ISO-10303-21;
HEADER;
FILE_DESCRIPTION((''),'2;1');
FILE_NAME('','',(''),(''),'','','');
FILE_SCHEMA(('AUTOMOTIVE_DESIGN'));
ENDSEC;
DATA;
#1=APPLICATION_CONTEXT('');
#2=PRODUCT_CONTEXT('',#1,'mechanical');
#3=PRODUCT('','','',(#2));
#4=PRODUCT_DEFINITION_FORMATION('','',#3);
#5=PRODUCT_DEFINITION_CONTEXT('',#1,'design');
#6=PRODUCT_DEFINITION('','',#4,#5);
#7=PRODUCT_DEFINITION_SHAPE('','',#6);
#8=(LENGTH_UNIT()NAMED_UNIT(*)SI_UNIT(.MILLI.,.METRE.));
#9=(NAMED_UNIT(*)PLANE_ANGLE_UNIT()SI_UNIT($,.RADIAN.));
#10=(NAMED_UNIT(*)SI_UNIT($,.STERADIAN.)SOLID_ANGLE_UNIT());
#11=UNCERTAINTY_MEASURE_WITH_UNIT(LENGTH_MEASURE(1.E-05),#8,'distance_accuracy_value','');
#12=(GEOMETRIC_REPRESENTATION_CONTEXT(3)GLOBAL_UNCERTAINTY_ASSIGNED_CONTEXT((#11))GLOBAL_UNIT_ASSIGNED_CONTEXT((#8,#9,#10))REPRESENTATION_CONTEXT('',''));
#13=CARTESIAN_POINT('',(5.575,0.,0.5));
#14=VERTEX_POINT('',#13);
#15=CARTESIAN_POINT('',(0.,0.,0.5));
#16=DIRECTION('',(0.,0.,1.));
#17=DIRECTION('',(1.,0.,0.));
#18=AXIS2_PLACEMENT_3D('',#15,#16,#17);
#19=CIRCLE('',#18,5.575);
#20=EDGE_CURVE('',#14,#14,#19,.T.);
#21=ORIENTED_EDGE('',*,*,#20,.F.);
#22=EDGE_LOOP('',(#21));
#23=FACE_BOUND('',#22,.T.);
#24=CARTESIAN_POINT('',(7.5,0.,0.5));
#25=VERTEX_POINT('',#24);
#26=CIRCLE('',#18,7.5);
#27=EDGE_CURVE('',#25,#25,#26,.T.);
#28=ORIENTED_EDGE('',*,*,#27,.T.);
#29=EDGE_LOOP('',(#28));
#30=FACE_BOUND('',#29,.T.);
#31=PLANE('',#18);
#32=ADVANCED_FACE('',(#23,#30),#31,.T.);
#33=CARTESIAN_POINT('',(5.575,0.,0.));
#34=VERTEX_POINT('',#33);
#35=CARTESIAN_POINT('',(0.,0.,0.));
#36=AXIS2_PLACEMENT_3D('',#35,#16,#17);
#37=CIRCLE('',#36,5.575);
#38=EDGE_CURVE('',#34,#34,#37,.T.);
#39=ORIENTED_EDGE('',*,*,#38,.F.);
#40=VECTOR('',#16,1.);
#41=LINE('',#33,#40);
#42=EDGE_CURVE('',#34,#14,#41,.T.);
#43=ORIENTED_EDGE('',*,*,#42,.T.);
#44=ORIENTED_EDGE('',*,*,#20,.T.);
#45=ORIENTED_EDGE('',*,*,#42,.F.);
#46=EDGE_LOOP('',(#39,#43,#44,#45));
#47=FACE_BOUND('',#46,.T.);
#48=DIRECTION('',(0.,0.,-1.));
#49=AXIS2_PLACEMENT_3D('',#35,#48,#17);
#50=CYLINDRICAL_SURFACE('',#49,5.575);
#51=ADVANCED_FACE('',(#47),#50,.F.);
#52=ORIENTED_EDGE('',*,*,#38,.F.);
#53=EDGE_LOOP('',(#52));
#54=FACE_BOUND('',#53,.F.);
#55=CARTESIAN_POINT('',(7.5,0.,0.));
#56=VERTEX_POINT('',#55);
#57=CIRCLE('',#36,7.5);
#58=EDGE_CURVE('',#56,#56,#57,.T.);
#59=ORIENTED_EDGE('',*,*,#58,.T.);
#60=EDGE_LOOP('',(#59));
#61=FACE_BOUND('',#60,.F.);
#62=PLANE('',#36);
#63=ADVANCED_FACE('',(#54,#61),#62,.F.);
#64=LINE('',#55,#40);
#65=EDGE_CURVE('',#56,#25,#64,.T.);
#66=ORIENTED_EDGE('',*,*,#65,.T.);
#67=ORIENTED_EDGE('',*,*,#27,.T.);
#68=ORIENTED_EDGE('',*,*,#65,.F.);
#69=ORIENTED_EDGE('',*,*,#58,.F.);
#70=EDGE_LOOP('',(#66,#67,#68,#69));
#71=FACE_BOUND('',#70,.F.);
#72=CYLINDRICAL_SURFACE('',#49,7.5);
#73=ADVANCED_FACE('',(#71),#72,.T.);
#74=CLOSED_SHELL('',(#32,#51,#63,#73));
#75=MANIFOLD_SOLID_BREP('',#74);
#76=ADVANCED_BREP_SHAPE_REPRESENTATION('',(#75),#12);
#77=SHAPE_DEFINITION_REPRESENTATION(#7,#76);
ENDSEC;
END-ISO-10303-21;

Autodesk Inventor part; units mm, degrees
ref_plane "YZ Plane" through (0, 0, 0) normal (1, 0, 0) x (0, 1, 0)
ref_plane "XZ Plane" through (0, 0, 0) normal (0, 1, 0) x (-1, 0, 0)
ref_plane "XY Plane" through (0, 0, 0) normal (0, 0, 1) x (1, 0, 0)
sketch "草圖1" plane through (0, 0, 0) normal (0, 0, 1) x (1, 0, 0)
  circle A0 centre (0, 0) radius 5.575
  circle A1 centre (0, 0) radius 7.5
  dimension "d0" = 11.15
  dimension "d1" = 15
extrude "擠出1" add sketch "草圖1" along normal blind 0.5
properties part number "黃銅墊片"
